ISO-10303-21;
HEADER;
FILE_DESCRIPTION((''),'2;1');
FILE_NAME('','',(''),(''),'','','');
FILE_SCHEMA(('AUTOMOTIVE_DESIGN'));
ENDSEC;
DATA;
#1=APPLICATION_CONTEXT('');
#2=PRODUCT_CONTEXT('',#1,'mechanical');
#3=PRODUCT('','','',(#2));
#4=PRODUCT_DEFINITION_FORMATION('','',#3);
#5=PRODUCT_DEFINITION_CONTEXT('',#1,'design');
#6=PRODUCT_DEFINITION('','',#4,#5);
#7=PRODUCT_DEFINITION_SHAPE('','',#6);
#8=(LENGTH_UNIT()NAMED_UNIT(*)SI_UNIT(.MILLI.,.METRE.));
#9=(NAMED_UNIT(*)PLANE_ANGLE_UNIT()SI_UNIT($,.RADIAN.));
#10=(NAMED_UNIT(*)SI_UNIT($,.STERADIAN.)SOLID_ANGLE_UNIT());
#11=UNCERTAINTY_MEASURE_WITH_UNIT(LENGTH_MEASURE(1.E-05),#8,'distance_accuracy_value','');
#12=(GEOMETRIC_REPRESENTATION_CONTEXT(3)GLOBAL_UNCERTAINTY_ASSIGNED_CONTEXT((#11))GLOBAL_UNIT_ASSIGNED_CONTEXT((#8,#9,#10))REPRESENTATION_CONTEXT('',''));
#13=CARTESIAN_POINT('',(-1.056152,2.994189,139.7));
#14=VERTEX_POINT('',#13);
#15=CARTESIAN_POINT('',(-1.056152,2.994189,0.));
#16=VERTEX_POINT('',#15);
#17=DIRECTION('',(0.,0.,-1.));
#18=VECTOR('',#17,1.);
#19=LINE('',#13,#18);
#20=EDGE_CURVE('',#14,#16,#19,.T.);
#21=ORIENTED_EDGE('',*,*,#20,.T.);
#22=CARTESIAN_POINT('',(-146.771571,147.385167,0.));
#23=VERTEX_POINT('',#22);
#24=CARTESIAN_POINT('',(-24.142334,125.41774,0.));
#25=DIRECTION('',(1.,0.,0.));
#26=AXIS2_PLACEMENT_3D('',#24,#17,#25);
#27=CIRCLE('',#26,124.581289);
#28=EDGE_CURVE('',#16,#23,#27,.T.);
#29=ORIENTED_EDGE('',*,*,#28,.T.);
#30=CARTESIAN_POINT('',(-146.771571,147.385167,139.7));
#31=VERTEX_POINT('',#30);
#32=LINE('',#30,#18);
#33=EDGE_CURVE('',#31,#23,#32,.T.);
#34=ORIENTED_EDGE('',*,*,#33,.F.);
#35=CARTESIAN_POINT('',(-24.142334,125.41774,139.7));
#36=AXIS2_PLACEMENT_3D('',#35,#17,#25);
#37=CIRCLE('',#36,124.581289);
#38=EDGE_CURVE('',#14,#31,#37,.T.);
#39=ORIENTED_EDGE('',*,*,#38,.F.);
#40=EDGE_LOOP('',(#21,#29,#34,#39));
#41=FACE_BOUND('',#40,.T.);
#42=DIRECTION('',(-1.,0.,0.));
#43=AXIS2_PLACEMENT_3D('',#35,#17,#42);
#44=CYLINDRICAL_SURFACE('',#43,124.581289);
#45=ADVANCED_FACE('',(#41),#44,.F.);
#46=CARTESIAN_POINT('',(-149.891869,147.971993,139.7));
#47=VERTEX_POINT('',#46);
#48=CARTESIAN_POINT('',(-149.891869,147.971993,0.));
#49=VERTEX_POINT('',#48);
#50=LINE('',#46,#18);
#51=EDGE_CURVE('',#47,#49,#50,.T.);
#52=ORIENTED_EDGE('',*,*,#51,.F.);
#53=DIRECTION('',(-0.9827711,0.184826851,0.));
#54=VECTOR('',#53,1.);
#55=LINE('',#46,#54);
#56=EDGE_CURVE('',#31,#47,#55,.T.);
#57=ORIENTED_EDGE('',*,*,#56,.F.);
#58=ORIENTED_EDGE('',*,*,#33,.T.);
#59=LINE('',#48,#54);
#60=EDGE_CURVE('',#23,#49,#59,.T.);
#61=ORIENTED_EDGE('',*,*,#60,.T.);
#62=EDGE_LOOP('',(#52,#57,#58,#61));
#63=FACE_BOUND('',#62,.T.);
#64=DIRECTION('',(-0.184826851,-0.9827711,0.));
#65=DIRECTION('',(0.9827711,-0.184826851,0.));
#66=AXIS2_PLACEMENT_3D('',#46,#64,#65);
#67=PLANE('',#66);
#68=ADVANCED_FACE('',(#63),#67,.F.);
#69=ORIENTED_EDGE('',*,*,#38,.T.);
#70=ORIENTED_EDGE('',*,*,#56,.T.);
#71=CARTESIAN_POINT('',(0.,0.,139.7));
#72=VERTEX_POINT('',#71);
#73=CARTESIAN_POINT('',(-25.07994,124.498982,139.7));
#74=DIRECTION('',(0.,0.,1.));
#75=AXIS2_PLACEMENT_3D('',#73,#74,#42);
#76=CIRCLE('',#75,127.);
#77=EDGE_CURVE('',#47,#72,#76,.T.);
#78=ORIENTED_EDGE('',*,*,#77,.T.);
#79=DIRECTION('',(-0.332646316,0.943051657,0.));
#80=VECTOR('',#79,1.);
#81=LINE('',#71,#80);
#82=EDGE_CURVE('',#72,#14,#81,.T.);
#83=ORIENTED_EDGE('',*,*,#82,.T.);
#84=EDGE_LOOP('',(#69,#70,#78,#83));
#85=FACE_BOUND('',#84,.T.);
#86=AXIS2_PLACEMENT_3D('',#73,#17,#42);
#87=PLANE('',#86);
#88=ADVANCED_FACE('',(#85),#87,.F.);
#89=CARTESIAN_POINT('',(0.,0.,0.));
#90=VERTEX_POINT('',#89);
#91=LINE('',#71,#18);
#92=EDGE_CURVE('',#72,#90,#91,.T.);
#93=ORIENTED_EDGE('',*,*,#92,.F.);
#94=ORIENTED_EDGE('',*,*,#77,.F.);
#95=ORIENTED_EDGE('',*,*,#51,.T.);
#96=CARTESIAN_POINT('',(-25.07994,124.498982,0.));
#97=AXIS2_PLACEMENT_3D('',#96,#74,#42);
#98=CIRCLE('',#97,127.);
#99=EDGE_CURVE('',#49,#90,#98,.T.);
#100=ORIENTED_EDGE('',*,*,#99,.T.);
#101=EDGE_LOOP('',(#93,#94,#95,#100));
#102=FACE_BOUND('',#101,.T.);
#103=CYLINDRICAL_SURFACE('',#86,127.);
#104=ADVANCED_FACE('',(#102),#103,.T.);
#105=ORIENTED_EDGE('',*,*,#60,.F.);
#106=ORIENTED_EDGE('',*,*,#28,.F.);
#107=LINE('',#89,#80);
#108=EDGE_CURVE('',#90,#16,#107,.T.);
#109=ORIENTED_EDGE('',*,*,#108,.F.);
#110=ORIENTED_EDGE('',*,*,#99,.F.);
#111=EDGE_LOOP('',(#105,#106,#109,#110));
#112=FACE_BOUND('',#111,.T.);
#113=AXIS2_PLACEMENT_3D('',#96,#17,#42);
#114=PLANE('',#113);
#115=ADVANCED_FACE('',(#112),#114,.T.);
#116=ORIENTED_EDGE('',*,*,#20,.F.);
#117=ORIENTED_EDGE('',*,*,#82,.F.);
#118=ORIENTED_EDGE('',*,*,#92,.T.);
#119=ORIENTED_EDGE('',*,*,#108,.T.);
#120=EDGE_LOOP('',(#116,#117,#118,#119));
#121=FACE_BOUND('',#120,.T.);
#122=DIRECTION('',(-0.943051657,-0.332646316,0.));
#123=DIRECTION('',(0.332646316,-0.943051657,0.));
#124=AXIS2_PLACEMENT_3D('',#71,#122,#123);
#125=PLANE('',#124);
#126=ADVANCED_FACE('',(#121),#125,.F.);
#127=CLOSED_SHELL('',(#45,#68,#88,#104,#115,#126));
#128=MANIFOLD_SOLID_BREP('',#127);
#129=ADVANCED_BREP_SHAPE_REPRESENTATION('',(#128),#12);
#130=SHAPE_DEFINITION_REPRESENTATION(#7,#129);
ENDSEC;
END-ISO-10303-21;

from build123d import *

# Parameters (mm, degrees)
BOSS_EXTRUDE1_DEPTH = 139.7


with BuildPart() as part:
    # Sketch1 → Boss-Extrude1 (new body)
    with BuildSketch(Plane.XY):
        with BuildLine():
            Line((-149.891869348, 147.971992557), (-146.771571106, 147.385167303))
            ThreePointArc((-146.771571106, 147.385167303), (-111.831521488, 36.924214704), (-1.056152055, 2.994189012))
            Line((-1.056152055, 2.994189012), (0, 0))
            ThreePointArc((0, 0), (-114.301826566, 34.119477597), (-149.891869348, 147.971992557))
        make_face()
    extrude(amount=BOSS_EXTRUDE1_DEPTH)


solid = part.part
